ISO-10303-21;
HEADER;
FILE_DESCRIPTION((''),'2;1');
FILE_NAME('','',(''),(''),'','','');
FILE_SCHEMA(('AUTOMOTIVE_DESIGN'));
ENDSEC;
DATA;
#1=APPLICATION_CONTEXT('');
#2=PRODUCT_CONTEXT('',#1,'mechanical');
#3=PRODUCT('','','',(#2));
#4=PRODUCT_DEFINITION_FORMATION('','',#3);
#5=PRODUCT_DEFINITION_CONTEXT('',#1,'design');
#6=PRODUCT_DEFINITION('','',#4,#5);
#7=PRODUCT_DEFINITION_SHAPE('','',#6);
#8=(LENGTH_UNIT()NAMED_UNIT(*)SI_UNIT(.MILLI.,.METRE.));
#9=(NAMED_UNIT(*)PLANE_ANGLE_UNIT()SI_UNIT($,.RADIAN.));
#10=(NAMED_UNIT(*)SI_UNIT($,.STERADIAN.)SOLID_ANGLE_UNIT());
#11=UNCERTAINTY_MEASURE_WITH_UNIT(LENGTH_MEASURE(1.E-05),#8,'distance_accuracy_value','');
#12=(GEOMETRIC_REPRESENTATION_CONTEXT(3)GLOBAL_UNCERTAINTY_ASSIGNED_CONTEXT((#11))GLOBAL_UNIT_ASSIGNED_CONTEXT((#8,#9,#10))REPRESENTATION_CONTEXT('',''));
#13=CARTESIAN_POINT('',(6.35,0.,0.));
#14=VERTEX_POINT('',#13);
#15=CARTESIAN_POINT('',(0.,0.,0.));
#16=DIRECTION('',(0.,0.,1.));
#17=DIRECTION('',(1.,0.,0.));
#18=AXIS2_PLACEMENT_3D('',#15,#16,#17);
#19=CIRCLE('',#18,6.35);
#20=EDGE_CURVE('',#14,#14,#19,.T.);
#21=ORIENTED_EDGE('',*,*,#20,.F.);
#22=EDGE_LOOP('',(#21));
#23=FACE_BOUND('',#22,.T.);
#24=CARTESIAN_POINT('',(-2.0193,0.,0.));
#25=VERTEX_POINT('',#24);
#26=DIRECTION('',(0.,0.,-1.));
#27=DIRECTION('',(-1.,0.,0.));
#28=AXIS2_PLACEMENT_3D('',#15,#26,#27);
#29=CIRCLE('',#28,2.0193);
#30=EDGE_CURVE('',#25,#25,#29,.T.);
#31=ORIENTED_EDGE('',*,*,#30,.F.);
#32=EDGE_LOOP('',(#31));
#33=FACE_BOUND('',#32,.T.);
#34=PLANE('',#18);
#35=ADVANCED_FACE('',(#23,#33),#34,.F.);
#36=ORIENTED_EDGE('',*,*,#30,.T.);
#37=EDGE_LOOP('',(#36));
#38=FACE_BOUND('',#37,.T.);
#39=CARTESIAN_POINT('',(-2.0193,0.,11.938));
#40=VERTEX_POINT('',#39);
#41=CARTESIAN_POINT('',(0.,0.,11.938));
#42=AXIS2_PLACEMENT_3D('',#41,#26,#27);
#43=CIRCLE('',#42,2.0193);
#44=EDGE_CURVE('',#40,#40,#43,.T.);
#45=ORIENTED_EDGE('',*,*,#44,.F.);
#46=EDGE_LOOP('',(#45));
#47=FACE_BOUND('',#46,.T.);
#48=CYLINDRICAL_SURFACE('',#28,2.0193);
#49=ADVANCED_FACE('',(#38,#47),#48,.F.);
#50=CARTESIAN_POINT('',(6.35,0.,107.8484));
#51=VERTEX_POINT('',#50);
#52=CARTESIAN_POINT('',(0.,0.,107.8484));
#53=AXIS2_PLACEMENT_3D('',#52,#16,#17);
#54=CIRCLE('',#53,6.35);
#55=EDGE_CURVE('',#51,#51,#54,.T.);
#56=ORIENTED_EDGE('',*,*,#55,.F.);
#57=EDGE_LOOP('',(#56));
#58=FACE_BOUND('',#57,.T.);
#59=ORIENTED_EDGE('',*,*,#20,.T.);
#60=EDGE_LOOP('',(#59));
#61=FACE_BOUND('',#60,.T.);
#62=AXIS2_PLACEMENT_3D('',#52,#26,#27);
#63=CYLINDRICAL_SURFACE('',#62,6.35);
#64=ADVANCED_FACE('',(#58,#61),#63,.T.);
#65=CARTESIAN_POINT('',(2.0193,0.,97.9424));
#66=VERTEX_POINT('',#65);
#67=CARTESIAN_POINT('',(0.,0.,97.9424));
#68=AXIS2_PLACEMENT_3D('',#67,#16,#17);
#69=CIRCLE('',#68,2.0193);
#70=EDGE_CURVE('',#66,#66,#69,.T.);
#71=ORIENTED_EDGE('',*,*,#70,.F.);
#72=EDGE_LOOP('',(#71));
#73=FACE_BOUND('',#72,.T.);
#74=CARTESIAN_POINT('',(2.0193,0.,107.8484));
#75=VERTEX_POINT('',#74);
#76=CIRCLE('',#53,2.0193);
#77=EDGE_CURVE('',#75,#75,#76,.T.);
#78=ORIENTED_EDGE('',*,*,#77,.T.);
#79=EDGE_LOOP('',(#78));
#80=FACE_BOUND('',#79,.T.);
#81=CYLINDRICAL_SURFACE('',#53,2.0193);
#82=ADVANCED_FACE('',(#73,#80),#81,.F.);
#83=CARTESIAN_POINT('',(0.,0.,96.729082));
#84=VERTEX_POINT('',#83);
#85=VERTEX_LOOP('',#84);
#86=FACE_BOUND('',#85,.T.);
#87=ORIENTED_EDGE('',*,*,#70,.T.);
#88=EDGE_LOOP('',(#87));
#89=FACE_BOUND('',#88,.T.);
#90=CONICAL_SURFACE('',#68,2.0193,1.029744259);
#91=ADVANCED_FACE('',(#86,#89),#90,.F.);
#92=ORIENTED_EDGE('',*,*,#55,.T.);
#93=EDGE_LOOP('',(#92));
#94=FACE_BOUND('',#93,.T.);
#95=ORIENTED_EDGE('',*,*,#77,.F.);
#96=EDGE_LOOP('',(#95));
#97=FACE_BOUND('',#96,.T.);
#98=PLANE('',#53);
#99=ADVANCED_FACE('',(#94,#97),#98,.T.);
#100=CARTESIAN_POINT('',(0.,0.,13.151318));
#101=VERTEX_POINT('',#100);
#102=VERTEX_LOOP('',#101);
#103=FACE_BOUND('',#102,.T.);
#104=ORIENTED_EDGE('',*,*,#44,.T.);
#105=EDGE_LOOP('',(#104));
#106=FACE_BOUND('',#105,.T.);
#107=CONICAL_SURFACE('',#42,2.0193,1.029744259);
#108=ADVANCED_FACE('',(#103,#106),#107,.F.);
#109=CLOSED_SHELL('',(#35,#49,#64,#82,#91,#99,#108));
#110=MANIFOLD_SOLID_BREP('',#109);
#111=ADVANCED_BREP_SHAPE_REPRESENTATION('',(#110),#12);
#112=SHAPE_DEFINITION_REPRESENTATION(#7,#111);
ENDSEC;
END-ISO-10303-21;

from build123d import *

# Parameters (mm, degrees)
SKETCH1_R                  = 6.35
BOSS_EXTRUDE1_DEPTH        = 107.8484
F_10_32_TAPPED_HOLE2_D     = 4.0386
F_10_32_TAPPED_HOLE2_DEPTH = 9.906
F_10_32_TAPPED_HOLE2_TIP   = 1.213317848
F_10_32_TAPPED_HOLE1_D     = 4.0386
F_10_32_TAPPED_HOLE1_DEPTH = 11.938
F_10_32_TAPPED_HOLE1_TIP   = 1.213317848


with BuildPart() as part:
    # Sketch1 → Boss-Extrude1 (new body)
    with BuildSketch(Plane.XY):
        Circle(SKETCH1_R)
    extrude(amount=BOSS_EXTRUDE1_DEPTH)

    # #10-32 Tapped Hole2
    with Locations(Plane.XY.offset(107.8484)):
        with Locations((0, 0)):
            Hole(F_10_32_TAPPED_HOLE2_D / 2, depth=F_10_32_TAPPED_HOLE2_DEPTH)
            with Locations((0, 0, -(F_10_32_TAPPED_HOLE2_DEPTH + F_10_32_TAPPED_HOLE2_TIP / 2))):  # 118° drill point
                Cone(0, F_10_32_TAPPED_HOLE2_D / 2, F_10_32_TAPPED_HOLE2_TIP, mode=Mode.SUBTRACT)

    # #10-32 Tapped Hole1
    with Locations(Plane(origin=(0, 0, 0), x_dir=(-1, 0, 0), z_dir=(0, 0, -1))):
        with Locations((0, 0)):
            Hole(F_10_32_TAPPED_HOLE1_D / 2, depth=F_10_32_TAPPED_HOLE1_DEPTH)
            with Locations((0, 0, -(F_10_32_TAPPED_HOLE1_DEPTH + F_10_32_TAPPED_HOLE1_TIP / 2))):  # 118° drill point
                Cone(0, F_10_32_TAPPED_HOLE1_D / 2, F_10_32_TAPPED_HOLE1_TIP, mode=Mode.SUBTRACT)


solid = part.part
